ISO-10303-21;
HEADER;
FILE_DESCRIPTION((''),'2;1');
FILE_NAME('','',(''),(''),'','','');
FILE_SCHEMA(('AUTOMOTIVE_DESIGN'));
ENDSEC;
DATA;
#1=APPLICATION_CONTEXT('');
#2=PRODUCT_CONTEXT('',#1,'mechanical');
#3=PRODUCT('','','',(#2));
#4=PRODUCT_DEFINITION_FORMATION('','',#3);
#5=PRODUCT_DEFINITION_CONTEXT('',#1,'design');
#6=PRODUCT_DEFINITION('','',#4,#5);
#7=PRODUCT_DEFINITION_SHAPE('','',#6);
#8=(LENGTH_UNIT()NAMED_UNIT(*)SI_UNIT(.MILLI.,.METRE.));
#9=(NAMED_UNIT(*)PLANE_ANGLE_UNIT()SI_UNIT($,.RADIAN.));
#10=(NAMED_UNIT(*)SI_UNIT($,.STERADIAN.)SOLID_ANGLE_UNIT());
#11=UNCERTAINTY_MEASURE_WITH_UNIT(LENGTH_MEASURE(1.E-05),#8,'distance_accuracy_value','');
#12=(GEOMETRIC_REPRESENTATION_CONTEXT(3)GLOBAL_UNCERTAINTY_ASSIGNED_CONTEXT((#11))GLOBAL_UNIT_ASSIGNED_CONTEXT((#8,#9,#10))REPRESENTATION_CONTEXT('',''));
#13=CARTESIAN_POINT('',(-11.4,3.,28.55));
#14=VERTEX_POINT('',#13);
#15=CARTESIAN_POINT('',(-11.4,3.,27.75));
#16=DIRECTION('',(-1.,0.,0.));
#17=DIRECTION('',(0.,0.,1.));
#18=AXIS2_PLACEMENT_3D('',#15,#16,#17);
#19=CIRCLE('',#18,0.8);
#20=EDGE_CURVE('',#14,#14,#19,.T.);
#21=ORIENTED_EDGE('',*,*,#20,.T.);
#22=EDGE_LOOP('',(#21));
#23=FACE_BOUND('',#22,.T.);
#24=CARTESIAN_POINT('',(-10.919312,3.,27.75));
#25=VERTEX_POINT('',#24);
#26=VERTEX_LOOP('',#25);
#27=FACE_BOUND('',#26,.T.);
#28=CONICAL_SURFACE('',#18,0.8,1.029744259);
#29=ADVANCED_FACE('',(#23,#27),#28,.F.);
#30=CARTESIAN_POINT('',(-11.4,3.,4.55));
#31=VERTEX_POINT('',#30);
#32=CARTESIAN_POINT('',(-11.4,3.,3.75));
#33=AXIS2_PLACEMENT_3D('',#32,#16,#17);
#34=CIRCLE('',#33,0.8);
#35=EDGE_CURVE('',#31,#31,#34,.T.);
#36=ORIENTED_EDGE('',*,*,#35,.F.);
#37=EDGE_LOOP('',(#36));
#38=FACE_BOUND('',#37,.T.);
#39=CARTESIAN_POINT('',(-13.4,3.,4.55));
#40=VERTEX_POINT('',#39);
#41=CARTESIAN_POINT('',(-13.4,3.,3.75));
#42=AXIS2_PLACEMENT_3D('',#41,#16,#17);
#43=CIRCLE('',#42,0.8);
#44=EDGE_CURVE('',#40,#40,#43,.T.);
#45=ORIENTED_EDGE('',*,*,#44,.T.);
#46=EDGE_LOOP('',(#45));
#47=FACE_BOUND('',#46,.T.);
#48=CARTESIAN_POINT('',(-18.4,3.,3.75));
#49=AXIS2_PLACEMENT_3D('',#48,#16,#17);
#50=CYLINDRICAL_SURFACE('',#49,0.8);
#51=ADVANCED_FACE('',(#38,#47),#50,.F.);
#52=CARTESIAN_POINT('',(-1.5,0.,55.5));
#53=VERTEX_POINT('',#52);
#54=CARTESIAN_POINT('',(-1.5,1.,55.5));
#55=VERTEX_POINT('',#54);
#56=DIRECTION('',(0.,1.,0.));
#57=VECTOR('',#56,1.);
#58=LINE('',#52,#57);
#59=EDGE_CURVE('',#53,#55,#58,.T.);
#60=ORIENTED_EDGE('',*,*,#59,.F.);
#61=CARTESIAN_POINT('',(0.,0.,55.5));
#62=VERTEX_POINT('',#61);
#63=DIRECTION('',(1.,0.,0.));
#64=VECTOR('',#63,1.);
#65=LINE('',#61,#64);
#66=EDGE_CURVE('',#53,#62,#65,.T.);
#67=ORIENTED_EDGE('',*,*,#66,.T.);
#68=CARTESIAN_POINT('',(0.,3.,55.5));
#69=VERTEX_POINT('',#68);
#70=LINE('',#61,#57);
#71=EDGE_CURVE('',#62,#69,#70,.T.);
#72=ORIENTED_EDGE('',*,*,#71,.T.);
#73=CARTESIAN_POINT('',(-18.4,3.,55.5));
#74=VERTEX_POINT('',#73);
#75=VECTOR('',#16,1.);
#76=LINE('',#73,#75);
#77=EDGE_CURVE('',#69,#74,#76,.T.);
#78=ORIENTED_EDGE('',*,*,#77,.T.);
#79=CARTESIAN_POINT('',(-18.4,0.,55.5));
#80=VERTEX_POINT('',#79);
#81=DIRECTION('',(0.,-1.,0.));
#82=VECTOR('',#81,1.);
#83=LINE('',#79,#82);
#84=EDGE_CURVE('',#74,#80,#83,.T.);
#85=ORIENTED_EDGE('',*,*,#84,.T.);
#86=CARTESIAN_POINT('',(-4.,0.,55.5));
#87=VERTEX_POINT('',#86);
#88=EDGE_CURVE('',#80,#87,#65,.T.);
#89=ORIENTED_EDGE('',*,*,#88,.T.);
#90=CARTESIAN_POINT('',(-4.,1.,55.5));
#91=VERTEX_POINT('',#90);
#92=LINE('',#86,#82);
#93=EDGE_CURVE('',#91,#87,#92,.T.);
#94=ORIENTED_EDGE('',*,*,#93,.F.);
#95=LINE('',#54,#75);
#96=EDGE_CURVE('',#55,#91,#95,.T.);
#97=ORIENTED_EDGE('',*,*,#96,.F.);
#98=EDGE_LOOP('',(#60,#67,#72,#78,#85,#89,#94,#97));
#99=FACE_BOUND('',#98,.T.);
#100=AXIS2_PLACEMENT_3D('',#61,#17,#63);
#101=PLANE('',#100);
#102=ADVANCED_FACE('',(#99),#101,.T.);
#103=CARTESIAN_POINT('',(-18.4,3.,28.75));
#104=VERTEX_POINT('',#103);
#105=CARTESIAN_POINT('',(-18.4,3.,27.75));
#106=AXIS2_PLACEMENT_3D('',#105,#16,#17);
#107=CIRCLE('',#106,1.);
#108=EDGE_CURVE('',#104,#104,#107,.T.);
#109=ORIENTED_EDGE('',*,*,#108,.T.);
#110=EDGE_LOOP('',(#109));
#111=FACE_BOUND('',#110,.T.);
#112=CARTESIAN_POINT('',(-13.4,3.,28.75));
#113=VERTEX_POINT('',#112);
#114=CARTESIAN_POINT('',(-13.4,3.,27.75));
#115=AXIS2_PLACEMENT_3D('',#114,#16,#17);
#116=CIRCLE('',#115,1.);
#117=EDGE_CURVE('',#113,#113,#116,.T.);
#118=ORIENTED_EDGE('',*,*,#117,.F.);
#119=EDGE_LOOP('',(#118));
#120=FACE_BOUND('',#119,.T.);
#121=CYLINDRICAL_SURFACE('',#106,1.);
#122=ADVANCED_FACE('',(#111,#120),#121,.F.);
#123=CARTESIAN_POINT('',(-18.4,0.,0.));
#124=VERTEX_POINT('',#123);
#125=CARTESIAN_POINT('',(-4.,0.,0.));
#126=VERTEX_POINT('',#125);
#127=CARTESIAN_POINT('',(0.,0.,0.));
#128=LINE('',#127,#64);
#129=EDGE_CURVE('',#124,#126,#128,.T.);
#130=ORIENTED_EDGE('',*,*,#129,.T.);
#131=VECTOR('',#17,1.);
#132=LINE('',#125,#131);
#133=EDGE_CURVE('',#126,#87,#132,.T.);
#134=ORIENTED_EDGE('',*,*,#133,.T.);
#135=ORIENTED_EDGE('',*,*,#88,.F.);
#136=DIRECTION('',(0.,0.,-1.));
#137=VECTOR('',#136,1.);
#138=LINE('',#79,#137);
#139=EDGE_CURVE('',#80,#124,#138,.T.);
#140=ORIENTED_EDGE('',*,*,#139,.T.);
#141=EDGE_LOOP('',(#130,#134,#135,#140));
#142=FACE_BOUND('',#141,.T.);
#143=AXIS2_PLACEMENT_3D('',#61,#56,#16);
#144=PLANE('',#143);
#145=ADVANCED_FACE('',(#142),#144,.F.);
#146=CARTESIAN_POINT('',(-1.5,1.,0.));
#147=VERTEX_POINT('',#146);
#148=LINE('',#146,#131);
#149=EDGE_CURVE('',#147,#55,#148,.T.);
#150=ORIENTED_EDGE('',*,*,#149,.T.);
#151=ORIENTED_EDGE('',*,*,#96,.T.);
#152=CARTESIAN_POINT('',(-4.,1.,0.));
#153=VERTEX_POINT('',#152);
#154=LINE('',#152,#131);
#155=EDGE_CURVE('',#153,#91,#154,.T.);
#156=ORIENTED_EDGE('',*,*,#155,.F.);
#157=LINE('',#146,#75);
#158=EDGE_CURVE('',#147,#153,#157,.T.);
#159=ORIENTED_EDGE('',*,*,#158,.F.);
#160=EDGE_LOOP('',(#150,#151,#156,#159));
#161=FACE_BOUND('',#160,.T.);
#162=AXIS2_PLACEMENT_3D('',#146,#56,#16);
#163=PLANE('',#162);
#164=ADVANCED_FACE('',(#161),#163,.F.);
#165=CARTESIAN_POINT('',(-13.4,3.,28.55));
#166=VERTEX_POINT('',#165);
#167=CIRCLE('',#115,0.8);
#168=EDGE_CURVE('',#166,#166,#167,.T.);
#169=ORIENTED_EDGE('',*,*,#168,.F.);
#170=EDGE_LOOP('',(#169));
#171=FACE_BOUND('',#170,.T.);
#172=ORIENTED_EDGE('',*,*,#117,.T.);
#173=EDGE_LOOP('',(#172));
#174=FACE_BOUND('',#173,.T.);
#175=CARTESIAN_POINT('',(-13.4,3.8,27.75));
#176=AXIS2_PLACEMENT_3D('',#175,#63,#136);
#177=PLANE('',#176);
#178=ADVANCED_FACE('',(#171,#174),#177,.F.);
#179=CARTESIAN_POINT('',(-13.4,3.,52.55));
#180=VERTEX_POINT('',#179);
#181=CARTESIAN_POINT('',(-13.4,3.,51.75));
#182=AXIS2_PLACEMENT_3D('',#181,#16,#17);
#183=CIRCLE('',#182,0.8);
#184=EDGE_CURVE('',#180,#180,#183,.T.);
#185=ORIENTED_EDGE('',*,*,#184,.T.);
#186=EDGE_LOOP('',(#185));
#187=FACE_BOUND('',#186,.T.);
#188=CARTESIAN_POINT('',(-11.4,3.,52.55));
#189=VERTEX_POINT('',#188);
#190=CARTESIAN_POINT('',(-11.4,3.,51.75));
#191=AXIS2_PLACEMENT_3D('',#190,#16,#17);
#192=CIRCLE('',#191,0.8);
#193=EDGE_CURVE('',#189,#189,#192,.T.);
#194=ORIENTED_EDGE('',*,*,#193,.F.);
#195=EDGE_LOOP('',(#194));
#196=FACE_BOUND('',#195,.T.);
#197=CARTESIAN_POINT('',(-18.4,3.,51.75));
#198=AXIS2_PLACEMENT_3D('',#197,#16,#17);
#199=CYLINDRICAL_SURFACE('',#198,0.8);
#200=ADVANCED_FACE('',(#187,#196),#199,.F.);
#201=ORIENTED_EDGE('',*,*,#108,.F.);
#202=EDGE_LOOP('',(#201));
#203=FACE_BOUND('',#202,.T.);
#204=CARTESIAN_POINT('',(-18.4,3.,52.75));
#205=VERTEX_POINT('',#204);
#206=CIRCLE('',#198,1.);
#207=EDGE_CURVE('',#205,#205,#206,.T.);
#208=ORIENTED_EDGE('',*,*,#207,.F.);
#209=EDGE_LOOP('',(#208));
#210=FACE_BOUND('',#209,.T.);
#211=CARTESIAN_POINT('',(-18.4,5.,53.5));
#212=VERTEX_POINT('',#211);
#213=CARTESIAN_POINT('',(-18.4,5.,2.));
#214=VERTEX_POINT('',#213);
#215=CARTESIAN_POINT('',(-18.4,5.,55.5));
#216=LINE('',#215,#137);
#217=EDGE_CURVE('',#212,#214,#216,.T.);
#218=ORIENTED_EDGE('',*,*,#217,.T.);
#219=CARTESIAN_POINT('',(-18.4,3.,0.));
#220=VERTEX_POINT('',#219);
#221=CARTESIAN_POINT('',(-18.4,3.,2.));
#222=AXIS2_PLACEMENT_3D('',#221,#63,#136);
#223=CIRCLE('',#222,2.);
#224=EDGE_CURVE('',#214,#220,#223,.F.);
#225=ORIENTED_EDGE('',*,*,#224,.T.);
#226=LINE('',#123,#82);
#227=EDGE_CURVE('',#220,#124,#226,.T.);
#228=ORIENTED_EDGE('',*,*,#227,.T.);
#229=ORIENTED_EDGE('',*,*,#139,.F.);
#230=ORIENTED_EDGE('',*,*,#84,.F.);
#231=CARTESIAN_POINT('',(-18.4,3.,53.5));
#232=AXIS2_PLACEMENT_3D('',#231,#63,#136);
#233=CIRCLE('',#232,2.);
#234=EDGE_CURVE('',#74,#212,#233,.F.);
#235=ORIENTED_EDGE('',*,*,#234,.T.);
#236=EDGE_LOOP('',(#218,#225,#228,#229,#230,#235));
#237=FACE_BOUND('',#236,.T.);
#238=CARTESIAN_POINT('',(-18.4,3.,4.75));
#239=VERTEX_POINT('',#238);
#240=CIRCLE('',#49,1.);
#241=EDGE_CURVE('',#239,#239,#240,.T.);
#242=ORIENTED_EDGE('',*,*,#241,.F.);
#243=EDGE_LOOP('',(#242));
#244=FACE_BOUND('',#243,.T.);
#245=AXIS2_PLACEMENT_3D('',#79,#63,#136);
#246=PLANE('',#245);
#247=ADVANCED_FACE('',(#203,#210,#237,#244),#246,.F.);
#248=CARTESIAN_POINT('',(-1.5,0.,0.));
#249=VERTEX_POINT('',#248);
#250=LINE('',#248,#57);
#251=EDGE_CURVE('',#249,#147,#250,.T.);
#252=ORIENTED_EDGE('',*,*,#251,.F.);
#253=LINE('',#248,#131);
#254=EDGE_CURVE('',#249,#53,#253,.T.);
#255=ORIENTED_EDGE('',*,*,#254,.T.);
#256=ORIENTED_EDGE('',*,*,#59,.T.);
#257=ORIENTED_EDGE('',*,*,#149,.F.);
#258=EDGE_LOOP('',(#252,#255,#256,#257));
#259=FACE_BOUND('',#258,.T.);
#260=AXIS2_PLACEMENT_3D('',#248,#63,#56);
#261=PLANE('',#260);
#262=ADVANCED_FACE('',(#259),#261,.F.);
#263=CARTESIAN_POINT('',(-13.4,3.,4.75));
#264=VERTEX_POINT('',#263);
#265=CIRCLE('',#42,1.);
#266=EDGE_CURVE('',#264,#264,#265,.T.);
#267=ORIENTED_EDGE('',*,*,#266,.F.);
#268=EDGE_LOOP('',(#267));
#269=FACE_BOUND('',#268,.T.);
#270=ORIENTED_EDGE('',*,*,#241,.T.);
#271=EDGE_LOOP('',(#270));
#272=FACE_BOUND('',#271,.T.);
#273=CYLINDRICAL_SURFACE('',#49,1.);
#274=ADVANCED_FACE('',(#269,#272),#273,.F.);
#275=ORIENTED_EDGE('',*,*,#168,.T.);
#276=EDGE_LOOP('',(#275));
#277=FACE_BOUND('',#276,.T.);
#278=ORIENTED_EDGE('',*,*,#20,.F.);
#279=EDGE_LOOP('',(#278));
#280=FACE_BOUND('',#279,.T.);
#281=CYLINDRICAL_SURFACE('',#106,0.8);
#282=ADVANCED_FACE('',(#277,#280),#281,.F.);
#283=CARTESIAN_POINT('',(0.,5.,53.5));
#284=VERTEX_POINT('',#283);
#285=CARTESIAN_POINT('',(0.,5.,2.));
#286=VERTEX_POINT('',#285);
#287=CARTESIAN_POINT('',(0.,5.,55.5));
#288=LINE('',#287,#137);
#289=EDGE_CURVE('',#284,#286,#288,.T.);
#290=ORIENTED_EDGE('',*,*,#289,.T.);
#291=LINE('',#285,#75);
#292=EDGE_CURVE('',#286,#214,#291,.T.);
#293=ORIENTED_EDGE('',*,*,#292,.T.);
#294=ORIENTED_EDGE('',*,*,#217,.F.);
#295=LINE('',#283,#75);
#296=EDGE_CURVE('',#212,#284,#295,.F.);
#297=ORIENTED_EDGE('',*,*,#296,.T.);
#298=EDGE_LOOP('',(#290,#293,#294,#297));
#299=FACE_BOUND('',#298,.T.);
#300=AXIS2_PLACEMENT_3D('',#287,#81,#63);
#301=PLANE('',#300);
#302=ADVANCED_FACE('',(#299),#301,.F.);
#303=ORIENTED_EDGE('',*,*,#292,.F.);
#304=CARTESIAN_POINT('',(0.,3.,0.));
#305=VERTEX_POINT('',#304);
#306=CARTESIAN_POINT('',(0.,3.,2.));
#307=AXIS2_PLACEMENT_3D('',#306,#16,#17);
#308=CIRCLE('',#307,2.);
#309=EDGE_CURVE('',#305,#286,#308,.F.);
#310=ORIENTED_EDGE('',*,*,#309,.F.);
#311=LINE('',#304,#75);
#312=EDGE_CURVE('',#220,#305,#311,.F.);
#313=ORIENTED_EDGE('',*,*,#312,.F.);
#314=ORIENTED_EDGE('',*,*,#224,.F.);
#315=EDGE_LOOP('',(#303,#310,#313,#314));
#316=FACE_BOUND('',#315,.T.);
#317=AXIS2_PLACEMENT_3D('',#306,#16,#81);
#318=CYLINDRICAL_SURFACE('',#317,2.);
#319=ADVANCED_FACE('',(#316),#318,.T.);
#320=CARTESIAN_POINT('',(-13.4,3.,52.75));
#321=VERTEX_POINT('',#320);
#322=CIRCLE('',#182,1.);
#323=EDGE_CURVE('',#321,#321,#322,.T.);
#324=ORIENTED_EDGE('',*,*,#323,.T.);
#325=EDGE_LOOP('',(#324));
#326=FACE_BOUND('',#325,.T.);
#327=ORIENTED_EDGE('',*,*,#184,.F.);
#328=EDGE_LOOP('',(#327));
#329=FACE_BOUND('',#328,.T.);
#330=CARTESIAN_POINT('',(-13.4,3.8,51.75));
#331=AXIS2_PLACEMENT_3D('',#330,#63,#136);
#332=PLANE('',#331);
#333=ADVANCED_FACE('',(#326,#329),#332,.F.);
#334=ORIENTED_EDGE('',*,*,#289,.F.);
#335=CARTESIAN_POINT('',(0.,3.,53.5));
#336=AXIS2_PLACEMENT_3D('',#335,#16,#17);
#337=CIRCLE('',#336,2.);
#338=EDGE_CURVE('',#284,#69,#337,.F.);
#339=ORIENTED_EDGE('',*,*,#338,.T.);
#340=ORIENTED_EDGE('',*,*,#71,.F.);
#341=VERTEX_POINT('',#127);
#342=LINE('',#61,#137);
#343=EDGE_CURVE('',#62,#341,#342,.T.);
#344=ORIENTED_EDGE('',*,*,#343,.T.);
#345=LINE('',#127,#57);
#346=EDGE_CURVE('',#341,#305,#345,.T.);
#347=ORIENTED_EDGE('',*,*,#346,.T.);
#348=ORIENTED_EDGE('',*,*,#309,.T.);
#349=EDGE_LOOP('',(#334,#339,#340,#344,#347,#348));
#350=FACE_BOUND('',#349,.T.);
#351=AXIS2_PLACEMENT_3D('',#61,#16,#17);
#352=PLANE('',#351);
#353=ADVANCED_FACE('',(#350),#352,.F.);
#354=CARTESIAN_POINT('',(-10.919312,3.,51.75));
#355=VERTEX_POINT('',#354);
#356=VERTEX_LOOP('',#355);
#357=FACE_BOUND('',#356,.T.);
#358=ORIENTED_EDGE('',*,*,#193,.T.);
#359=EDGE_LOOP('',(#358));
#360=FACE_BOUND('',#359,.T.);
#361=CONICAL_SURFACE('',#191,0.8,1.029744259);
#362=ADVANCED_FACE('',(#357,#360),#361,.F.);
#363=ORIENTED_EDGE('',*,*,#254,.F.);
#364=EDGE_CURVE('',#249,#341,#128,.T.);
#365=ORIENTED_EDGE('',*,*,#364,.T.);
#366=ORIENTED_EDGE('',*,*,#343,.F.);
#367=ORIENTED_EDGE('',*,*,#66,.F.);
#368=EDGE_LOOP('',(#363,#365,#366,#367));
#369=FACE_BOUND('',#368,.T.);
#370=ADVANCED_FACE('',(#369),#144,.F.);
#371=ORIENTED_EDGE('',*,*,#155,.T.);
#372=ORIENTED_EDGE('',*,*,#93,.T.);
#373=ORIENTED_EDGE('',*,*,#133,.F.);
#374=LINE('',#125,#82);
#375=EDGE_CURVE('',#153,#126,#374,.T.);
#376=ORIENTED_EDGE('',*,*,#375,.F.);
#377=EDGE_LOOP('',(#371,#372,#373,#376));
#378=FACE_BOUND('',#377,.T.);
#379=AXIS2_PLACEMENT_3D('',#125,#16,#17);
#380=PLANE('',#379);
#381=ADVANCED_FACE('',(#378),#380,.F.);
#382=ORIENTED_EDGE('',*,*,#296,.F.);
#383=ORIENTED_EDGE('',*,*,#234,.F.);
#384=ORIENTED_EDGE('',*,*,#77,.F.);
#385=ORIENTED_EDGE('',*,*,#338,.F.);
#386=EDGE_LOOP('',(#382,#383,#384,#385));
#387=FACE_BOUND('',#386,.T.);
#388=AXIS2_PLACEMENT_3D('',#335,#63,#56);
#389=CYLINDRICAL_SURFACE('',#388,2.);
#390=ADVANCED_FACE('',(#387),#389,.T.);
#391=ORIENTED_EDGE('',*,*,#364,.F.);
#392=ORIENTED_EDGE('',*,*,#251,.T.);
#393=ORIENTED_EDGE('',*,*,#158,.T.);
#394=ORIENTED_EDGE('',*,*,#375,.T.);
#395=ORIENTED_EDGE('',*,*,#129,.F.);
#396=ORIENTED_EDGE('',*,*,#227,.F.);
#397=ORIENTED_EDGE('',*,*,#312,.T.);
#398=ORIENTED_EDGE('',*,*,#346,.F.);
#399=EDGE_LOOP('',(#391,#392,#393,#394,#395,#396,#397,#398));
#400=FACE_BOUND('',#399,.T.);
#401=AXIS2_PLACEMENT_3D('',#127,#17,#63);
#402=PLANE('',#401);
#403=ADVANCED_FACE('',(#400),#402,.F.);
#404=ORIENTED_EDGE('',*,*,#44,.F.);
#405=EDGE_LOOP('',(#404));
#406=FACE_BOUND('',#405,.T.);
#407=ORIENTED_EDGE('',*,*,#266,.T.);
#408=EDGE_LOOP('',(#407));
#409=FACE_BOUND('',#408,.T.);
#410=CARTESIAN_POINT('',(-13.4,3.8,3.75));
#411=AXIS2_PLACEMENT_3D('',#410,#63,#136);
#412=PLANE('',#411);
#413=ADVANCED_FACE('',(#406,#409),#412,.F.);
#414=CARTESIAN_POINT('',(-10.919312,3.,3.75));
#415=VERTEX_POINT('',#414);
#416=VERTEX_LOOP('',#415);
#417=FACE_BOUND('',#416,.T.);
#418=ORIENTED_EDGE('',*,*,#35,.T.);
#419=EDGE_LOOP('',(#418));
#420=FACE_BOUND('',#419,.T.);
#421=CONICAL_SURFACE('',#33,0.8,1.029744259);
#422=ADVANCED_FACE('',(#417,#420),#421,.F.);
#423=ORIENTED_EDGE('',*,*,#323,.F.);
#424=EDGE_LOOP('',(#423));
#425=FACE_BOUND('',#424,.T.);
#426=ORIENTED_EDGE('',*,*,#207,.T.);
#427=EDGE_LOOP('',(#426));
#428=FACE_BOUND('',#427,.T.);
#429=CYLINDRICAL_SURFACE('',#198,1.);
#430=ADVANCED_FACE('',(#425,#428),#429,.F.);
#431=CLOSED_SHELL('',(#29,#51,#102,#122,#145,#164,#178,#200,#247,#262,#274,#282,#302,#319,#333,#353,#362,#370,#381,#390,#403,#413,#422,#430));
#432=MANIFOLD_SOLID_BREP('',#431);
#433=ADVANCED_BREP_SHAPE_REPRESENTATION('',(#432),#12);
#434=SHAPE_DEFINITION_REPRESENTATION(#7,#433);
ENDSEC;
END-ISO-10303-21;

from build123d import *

# Parameters (mm, degrees)
SKETCH1_W                       = 18.4
SKETCH1_H                       = 5
BOSS_EXTRUDE1_DEPTH             = 55.5
SKETCH2_W                       = 2.5
SKETCH2_H                       = 1
CUT_EXTRUDE1_DEPTH              = 56.5
M2X0_4_TAPPED_HOLE1_D           = 1.6
M2X0_4_TAPPED_HOLE1_DEPTH       = 7
M2X0_4_TAPPED_HOLE1_CBORE_D     = 2
M2X0_4_TAPPED_HOLE1_CBORE_DEPTH = 5
M2X0_4_TAPPED_HOLE1_TIP         = 0.480688495
FILLET1_R                       = 2


with BuildPart() as part:
    # Sketch1 → Boss-Extrude1 (new body)
    with BuildSketch(Plane.XY):
        with Locations((-9.2, 2.5)):
            Rectangle(SKETCH1_W, SKETCH1_H)
    extrude(amount=BOSS_EXTRUDE1_DEPTH)

    # Sketch2 → Cut-Extrude1 (cut, through all)
    with BuildSketch(Plane.XY.offset(55.5)):
        with Locations((-2.75, 0.5)):
            Rectangle(SKETCH2_W, SKETCH2_H)
    extrude(amount=-CUT_EXTRUDE1_DEPTH, mode=Mode.SUBTRACT)

    # M2x0.4 Tapped Hole1
    with Locations(Plane.ZY.offset(18.4)):
        with Locations((51.75, 3), (27.75, 3), (3.75, 3)):
            CounterBoreHole(M2X0_4_TAPPED_HOLE1_D / 2, M2X0_4_TAPPED_HOLE1_CBORE_D / 2, M2X0_4_TAPPED_HOLE1_CBORE_DEPTH, depth=M2X0_4_TAPPED_HOLE1_DEPTH)
            with Locations((0, 0, -(M2X0_4_TAPPED_HOLE1_DEPTH + M2X0_4_TAPPED_HOLE1_TIP / 2))):  # 118° drill point
                Cone(0, M2X0_4_TAPPED_HOLE1_D / 2, M2X0_4_TAPPED_HOLE1_TIP, mode=Mode.SUBTRACT)

    # Fillet1
    fillet1_edges = [part.edges().sort_by_distance(p)[0] for p in [
        (-9.2, 5, 0),
        (-9.2, 5, 55.5),
    ]]
    fillet(fillet1_edges, radius=FILLET1_R)


solid = part.part
